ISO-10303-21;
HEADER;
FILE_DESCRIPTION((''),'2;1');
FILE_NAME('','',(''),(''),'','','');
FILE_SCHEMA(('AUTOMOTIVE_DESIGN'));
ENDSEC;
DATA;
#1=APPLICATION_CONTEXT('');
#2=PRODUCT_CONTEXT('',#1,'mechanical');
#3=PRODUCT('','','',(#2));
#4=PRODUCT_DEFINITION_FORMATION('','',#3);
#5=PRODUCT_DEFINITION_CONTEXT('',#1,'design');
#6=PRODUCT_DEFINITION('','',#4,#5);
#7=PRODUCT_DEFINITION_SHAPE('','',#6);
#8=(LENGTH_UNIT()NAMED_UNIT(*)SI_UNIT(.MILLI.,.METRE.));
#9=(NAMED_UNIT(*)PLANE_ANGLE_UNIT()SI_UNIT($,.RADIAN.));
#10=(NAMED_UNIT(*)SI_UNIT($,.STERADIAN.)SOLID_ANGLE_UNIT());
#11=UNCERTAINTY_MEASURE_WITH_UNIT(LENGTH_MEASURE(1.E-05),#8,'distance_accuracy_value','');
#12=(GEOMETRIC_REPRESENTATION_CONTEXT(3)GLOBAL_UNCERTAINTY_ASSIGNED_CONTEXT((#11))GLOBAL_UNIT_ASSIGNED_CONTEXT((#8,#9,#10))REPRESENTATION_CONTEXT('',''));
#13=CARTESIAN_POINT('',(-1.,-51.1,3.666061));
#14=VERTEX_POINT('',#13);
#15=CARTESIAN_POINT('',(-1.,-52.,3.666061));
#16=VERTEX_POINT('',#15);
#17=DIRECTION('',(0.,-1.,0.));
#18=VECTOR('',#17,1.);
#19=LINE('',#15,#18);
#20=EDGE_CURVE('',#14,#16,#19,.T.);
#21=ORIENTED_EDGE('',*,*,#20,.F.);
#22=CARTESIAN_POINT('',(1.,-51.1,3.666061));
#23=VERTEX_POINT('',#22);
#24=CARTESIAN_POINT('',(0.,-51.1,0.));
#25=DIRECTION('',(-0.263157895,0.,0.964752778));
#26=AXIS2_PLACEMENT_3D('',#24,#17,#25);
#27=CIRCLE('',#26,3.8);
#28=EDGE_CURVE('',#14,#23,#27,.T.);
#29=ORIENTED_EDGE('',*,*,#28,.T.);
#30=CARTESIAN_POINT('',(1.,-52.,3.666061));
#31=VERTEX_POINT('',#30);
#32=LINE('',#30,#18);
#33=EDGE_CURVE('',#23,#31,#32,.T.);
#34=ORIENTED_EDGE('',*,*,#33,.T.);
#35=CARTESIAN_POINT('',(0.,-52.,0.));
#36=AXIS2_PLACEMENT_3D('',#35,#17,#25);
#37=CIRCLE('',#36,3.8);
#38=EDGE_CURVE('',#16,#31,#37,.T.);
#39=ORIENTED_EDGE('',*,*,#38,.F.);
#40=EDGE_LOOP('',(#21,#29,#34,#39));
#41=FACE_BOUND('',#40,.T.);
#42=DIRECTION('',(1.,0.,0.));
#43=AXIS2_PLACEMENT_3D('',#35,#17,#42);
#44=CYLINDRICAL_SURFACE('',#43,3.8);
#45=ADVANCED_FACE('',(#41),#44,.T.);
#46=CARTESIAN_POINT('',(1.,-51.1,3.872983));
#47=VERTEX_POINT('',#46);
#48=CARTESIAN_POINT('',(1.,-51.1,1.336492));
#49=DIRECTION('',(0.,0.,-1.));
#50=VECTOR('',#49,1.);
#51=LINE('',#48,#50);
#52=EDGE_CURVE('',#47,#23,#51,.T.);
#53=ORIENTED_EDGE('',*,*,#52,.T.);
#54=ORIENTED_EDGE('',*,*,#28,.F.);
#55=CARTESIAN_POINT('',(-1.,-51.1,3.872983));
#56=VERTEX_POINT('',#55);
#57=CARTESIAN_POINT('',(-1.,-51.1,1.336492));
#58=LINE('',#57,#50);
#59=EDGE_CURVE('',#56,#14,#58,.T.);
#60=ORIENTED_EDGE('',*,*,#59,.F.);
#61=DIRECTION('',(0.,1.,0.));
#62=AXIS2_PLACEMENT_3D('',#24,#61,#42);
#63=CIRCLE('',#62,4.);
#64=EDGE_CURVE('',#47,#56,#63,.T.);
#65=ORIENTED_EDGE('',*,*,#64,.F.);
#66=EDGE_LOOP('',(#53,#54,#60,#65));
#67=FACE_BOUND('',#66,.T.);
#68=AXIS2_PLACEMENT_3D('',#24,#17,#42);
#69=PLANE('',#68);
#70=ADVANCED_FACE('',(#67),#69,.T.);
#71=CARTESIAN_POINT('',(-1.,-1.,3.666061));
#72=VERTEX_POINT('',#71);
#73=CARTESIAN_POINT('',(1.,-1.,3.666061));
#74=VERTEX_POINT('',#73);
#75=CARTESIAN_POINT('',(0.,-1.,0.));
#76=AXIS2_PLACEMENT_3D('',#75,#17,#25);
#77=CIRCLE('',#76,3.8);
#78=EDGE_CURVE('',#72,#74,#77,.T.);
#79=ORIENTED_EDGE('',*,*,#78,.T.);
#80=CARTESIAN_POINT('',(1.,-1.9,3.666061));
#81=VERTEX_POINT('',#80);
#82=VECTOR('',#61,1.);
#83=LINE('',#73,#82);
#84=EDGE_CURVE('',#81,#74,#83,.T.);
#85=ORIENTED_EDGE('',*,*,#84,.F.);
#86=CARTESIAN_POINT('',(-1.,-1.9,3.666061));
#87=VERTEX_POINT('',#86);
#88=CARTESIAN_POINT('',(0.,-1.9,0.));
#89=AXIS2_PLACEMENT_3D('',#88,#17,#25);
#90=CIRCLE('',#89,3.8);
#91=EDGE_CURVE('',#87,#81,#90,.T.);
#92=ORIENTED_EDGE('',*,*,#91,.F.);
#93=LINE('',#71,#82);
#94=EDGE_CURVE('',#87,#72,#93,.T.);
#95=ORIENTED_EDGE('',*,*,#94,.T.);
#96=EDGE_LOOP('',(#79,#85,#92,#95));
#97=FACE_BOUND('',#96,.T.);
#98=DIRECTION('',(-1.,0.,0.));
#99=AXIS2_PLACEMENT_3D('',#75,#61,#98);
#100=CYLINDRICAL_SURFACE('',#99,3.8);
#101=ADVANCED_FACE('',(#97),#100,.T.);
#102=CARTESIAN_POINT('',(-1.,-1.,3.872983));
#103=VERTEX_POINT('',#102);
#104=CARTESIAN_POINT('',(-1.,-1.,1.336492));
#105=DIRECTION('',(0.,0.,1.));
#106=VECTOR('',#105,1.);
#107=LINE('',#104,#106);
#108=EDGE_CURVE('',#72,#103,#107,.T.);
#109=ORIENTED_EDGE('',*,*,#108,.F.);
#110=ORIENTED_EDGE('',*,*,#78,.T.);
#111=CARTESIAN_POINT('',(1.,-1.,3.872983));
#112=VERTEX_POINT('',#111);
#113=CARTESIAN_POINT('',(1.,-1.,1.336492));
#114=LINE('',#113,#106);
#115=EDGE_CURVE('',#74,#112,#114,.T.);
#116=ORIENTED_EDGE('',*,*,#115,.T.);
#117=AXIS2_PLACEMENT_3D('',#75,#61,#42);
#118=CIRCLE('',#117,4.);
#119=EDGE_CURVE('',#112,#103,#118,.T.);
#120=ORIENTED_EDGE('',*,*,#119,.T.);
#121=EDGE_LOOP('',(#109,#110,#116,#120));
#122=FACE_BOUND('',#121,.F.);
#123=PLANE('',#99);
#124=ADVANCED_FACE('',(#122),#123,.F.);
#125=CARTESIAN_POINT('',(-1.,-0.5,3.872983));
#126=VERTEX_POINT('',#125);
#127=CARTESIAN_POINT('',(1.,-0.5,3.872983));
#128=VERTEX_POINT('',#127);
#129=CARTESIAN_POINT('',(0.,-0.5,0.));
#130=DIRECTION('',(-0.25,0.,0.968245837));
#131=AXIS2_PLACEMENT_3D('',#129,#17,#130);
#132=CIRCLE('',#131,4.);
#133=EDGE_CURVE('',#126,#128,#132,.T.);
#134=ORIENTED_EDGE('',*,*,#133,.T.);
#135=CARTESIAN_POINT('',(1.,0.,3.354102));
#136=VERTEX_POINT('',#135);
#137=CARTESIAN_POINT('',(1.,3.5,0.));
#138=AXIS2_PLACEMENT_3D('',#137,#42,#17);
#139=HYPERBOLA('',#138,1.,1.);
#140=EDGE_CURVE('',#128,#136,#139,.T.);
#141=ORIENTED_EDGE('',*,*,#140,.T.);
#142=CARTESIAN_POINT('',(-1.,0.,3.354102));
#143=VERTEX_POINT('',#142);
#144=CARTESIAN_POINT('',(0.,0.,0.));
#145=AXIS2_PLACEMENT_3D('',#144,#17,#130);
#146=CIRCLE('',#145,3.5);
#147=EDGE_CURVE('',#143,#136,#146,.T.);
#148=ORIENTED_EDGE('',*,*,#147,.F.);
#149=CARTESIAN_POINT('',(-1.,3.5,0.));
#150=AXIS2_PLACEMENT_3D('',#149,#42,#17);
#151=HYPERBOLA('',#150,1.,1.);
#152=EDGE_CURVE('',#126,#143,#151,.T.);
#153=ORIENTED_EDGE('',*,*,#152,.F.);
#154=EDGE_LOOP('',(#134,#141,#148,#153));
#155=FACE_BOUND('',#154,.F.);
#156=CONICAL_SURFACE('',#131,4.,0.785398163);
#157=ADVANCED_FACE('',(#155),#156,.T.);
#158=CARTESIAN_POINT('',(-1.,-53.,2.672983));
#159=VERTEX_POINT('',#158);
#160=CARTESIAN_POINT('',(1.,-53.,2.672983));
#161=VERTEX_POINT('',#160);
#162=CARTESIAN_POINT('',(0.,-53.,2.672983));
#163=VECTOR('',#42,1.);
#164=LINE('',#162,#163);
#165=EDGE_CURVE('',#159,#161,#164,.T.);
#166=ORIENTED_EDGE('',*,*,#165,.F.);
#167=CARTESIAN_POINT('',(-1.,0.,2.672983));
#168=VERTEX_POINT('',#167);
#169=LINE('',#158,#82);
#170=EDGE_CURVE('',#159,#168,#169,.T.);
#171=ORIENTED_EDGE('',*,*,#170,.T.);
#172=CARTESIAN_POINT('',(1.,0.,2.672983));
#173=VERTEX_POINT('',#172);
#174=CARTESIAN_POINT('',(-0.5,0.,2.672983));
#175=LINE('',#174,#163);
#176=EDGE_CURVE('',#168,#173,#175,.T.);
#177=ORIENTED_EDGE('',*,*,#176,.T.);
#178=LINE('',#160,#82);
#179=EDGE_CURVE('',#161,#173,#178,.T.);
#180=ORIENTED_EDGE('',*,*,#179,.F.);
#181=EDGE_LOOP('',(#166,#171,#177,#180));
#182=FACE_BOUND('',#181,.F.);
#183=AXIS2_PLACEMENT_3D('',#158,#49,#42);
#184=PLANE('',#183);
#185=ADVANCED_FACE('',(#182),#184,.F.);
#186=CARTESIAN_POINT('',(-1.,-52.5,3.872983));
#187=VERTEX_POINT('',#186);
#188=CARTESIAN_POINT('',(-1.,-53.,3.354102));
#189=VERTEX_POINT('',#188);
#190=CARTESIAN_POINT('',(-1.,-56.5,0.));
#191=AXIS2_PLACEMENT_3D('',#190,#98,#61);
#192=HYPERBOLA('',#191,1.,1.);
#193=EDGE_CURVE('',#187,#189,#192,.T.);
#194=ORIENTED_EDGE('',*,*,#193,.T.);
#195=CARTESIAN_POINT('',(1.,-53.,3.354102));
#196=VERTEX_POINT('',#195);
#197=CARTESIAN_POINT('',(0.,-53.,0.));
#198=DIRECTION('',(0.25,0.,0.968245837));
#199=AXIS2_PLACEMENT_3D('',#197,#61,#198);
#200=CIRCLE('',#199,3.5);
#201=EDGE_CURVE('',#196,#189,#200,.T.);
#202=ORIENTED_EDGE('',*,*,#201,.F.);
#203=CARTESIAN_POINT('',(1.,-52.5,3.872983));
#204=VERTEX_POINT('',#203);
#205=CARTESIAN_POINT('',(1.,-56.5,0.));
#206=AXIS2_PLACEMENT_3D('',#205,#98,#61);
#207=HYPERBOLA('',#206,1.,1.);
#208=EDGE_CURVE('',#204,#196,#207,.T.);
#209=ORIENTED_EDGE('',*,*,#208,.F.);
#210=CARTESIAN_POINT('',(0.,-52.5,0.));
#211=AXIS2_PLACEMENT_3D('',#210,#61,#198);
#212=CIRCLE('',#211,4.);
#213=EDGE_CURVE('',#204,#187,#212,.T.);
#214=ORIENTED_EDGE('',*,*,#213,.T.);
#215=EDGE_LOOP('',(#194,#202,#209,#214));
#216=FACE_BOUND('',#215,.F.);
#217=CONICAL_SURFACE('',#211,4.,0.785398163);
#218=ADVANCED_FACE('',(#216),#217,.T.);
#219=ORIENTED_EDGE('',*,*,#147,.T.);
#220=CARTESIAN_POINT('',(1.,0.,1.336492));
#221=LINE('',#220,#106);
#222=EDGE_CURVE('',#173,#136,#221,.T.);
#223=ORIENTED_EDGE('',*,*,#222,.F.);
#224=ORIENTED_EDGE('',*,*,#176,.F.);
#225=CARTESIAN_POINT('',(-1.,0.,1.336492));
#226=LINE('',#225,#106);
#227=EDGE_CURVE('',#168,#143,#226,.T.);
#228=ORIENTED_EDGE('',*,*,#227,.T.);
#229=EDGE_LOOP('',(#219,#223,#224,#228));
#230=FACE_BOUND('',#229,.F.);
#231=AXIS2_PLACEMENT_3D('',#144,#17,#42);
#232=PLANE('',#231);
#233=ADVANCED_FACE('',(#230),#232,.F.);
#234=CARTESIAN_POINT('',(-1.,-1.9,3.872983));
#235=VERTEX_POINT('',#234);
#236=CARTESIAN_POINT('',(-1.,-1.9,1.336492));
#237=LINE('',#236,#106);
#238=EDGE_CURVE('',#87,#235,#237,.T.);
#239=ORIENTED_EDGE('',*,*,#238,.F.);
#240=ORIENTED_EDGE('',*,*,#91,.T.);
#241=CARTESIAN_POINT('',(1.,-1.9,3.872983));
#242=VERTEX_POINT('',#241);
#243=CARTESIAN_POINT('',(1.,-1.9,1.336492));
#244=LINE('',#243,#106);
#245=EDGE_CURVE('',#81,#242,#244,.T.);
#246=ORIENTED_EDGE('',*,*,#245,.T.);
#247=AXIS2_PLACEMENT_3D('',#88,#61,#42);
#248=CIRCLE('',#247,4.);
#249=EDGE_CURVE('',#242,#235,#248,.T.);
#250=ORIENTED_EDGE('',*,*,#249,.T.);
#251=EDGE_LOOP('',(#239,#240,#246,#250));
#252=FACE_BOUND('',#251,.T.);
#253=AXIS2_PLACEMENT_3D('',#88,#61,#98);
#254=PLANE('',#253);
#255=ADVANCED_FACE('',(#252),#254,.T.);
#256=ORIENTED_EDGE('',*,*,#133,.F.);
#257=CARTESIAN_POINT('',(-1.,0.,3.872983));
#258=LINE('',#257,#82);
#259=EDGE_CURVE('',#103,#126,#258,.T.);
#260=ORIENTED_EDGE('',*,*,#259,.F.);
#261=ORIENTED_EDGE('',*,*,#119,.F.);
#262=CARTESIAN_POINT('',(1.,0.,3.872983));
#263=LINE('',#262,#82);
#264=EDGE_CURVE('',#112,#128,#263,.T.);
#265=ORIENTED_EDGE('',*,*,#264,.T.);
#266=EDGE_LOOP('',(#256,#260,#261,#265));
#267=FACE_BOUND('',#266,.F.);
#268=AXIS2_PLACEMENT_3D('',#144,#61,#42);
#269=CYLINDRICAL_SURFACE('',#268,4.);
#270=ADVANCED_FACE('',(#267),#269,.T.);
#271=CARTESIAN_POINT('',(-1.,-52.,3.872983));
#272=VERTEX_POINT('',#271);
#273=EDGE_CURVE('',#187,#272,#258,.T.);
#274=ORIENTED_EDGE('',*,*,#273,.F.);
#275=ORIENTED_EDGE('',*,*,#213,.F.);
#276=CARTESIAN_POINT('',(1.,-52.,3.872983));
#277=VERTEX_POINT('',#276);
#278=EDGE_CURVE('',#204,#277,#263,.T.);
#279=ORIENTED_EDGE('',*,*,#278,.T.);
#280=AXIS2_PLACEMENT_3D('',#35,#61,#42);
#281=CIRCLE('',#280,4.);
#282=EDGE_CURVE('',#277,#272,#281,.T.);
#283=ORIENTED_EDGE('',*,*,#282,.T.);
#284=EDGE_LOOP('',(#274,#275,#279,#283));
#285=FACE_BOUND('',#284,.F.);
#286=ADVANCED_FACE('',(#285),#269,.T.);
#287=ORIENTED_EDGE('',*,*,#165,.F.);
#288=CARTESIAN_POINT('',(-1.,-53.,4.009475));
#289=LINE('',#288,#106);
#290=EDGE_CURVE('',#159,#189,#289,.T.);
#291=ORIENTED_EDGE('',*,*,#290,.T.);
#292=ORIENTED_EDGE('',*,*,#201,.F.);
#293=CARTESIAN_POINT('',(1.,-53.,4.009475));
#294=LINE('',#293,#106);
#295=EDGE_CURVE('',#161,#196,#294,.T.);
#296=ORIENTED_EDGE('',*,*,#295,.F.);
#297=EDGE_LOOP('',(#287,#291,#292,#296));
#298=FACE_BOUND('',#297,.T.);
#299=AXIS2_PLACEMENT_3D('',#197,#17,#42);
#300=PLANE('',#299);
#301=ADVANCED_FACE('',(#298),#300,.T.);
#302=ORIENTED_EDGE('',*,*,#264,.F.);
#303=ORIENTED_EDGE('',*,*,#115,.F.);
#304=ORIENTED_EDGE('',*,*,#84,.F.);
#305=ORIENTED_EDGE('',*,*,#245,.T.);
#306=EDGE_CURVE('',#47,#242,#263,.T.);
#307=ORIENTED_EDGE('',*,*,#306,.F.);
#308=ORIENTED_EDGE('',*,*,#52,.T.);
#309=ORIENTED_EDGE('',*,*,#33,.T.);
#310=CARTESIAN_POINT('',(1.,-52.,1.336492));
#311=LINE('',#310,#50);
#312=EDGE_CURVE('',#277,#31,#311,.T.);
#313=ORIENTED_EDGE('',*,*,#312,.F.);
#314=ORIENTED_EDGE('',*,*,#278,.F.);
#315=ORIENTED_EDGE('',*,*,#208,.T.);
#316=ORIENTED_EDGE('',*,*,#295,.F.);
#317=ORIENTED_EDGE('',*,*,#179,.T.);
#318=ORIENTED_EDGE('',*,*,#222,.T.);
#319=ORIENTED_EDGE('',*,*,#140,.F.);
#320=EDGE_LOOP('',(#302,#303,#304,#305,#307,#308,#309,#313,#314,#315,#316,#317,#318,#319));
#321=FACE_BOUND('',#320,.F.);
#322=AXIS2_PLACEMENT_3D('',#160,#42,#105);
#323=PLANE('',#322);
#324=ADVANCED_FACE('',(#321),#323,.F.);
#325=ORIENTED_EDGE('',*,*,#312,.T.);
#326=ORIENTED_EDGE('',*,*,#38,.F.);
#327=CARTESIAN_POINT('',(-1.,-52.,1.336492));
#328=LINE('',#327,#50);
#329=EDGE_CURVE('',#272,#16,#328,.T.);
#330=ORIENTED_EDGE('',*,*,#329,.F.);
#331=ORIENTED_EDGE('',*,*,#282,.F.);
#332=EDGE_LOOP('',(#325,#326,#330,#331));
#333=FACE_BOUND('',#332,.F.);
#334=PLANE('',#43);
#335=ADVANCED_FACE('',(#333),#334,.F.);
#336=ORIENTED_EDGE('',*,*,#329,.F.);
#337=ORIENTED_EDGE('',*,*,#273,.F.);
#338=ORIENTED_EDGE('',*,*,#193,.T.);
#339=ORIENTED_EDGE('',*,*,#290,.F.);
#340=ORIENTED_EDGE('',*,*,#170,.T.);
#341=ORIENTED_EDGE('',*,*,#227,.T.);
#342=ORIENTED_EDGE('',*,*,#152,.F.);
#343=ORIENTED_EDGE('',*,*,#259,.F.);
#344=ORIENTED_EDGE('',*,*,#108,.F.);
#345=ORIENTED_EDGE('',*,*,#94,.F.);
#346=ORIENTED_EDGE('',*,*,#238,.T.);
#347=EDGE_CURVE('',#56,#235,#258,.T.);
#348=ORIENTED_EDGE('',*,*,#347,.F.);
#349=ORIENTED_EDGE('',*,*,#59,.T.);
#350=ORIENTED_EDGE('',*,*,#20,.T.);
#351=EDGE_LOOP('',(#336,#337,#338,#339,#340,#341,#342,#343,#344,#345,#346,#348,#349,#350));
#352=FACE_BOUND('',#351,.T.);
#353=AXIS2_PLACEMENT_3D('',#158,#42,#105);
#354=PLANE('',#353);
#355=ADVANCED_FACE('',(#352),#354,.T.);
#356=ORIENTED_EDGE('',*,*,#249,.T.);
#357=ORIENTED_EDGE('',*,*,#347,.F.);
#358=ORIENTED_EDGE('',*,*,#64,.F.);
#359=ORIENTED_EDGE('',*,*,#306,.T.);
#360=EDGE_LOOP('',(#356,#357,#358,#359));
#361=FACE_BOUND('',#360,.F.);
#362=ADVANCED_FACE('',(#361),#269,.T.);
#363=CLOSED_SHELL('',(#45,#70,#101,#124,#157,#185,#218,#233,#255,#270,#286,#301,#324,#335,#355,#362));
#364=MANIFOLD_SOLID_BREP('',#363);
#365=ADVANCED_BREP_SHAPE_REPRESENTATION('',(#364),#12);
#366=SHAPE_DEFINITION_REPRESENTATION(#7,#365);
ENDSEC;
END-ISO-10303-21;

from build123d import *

# Parameters (mm, degrees)
F0_R      = 4
F1_DEPTH  = 53
F2_W      = 2
F2_H      = 2.6729833462
F3_DEPTH  = 53.001
F4_SIZE   = 0.5
F6_R      = 5.1282432724
F6_R_2    = 3.8
F7_DEPTH  = 0.9
F9_R      = 7.9440327168
F9_R_2    = 3.8
F10_DEPTH = 0.9


with BuildPart() as f1:
    # F0 (on Front) → F1 (new body)
    with BuildSketch(Plane.XZ):
        Circle(F0_R)
    extrude(amount=F1_DEPTH)

    # F2 (on face) → F3 (cut, through all)
    with BuildSketch(Plane.XZ.offset(53)):
        with Locations((0, 4.0094750193)):
            Rectangle(F2_W, F2_H)
    extrude(amount=-F3_DEPTH, mode=Mode.SUBTRACT)

    # F4
    f4_edges = [f1.edges().sort_by_distance(p)[0] for p in [
        (0, -53, -4),
        (0, 0, -4),
    ]]
    chamfer(f4_edges, length=F4_SIZE)

    # F6 (on offset) → F7 (cut)
    with BuildSketch(Plane.XZ.offset(52)):
        Circle(F6_R)
        Circle(F6_R_2, mode=Mode.SUBTRACT)
    extrude(amount=-F7_DEPTH, mode=Mode.SUBTRACT)

    # F9 (on offset) → F10 (cut)
    with BuildSketch(Plane(origin=(0, -1, 0), x_dir=(-1, 0, 0), z_dir=(0, 1, 0))):
        Circle(F9_R)
        Circle(F9_R_2, mode=Mode.SUBTRACT)
    extrude(amount=-F10_DEPTH, mode=Mode.SUBTRACT)


solid = f1.part
